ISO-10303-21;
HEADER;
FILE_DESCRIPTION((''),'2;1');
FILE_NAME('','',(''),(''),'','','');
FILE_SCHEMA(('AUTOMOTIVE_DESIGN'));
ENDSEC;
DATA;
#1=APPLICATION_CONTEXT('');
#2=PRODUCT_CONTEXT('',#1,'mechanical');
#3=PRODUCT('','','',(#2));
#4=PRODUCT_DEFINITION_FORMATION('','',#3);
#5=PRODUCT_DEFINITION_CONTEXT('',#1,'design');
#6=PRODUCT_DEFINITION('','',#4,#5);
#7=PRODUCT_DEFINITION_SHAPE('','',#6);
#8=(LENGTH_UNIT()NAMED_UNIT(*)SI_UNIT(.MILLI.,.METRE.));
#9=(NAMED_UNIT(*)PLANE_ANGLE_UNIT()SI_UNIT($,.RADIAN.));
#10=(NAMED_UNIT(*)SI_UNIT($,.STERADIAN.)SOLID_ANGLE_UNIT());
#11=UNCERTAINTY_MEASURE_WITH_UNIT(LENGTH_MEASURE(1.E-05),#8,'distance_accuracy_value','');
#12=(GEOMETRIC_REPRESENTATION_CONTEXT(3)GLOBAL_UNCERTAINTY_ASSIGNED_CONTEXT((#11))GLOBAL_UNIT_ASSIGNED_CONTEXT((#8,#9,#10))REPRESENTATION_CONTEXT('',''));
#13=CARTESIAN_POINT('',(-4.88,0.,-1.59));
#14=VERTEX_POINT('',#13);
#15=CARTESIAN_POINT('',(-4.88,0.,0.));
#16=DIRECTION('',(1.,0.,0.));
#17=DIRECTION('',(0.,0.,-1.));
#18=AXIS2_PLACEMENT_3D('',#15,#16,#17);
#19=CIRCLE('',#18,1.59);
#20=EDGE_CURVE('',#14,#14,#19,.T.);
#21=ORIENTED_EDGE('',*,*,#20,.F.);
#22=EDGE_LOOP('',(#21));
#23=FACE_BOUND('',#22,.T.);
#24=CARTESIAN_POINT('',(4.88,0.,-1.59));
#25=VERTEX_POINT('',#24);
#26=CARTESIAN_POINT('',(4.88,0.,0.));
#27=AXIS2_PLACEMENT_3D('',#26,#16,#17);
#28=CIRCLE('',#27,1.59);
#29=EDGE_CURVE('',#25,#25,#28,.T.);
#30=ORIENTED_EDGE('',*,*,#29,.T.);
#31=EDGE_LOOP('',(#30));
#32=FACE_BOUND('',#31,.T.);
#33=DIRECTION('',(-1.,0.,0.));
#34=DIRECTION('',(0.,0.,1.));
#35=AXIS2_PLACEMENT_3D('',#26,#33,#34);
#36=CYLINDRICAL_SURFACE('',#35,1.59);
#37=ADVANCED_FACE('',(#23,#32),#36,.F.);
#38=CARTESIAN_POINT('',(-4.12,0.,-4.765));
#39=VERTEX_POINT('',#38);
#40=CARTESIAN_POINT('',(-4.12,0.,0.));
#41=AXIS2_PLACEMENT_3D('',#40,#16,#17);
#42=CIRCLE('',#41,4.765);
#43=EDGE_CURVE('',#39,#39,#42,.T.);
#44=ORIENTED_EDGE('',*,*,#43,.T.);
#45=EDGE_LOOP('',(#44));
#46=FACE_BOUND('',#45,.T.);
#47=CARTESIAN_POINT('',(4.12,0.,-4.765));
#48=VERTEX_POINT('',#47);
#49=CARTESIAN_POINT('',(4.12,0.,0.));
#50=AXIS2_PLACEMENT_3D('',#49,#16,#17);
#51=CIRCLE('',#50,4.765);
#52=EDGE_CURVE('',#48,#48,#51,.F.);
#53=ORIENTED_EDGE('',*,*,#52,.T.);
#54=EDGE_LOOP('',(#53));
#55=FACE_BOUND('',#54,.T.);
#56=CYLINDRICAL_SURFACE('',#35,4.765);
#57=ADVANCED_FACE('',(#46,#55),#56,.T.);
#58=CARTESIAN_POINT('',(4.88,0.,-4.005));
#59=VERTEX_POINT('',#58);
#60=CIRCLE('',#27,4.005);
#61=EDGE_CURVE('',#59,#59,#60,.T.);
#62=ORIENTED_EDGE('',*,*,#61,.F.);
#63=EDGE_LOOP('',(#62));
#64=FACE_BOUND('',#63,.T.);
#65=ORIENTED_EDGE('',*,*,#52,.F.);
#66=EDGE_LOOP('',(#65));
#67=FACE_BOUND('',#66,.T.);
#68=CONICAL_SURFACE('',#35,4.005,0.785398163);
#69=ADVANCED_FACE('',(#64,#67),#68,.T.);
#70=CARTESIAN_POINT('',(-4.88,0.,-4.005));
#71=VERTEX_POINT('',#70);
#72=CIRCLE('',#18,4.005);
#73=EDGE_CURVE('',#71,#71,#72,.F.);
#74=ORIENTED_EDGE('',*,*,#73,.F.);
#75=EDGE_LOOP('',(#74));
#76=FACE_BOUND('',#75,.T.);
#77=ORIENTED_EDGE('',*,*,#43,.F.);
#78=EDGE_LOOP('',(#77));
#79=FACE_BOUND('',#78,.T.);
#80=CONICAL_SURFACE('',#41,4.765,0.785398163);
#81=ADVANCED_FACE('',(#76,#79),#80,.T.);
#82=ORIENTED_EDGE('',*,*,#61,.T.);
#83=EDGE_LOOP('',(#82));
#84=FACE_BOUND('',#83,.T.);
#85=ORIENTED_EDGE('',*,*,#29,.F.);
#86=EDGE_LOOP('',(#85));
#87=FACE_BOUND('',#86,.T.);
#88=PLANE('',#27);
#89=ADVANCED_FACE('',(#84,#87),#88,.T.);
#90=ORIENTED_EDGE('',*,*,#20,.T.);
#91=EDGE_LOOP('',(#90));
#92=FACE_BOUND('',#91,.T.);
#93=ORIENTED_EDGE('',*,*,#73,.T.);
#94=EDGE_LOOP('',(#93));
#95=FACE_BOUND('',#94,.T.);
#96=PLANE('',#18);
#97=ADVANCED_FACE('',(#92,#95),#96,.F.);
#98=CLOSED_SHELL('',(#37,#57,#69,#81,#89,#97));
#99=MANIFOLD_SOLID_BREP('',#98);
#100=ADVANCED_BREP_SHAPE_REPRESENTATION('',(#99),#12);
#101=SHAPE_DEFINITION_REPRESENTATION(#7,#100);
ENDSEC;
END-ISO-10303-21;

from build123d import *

# Parameters (mm, degrees)
SKETCH1_R           = 4.765
SKETCH1_R_2         = 1.59
BOSS_EXTRUDE1_DEPTH = 4.88
CHAMFER1_SIZE       = 0.76


with BuildPart() as part:
    # Sketch1 → Boss-Extrude1 (new, symmetric)
    with BuildSketch(Plane(origin=(0, 0, 0), x_dir=(0, 0, -1), z_dir=(1, 0, 0))):
        Circle(SKETCH1_R)
        Circle(SKETCH1_R_2, mode=Mode.SUBTRACT)
    extrude(amount=BOSS_EXTRUDE1_DEPTH, both=True)

    # Chamfer1
    chamfer1_edges = [part.edges().sort_by_distance(p)[0] for p in [
        (-4.88, 0, 4.765),
        (4.88, 0, 4.765),
    ]]
    chamfer(chamfer1_edges, length=CHAMFER1_SIZE)


solid = part.part
